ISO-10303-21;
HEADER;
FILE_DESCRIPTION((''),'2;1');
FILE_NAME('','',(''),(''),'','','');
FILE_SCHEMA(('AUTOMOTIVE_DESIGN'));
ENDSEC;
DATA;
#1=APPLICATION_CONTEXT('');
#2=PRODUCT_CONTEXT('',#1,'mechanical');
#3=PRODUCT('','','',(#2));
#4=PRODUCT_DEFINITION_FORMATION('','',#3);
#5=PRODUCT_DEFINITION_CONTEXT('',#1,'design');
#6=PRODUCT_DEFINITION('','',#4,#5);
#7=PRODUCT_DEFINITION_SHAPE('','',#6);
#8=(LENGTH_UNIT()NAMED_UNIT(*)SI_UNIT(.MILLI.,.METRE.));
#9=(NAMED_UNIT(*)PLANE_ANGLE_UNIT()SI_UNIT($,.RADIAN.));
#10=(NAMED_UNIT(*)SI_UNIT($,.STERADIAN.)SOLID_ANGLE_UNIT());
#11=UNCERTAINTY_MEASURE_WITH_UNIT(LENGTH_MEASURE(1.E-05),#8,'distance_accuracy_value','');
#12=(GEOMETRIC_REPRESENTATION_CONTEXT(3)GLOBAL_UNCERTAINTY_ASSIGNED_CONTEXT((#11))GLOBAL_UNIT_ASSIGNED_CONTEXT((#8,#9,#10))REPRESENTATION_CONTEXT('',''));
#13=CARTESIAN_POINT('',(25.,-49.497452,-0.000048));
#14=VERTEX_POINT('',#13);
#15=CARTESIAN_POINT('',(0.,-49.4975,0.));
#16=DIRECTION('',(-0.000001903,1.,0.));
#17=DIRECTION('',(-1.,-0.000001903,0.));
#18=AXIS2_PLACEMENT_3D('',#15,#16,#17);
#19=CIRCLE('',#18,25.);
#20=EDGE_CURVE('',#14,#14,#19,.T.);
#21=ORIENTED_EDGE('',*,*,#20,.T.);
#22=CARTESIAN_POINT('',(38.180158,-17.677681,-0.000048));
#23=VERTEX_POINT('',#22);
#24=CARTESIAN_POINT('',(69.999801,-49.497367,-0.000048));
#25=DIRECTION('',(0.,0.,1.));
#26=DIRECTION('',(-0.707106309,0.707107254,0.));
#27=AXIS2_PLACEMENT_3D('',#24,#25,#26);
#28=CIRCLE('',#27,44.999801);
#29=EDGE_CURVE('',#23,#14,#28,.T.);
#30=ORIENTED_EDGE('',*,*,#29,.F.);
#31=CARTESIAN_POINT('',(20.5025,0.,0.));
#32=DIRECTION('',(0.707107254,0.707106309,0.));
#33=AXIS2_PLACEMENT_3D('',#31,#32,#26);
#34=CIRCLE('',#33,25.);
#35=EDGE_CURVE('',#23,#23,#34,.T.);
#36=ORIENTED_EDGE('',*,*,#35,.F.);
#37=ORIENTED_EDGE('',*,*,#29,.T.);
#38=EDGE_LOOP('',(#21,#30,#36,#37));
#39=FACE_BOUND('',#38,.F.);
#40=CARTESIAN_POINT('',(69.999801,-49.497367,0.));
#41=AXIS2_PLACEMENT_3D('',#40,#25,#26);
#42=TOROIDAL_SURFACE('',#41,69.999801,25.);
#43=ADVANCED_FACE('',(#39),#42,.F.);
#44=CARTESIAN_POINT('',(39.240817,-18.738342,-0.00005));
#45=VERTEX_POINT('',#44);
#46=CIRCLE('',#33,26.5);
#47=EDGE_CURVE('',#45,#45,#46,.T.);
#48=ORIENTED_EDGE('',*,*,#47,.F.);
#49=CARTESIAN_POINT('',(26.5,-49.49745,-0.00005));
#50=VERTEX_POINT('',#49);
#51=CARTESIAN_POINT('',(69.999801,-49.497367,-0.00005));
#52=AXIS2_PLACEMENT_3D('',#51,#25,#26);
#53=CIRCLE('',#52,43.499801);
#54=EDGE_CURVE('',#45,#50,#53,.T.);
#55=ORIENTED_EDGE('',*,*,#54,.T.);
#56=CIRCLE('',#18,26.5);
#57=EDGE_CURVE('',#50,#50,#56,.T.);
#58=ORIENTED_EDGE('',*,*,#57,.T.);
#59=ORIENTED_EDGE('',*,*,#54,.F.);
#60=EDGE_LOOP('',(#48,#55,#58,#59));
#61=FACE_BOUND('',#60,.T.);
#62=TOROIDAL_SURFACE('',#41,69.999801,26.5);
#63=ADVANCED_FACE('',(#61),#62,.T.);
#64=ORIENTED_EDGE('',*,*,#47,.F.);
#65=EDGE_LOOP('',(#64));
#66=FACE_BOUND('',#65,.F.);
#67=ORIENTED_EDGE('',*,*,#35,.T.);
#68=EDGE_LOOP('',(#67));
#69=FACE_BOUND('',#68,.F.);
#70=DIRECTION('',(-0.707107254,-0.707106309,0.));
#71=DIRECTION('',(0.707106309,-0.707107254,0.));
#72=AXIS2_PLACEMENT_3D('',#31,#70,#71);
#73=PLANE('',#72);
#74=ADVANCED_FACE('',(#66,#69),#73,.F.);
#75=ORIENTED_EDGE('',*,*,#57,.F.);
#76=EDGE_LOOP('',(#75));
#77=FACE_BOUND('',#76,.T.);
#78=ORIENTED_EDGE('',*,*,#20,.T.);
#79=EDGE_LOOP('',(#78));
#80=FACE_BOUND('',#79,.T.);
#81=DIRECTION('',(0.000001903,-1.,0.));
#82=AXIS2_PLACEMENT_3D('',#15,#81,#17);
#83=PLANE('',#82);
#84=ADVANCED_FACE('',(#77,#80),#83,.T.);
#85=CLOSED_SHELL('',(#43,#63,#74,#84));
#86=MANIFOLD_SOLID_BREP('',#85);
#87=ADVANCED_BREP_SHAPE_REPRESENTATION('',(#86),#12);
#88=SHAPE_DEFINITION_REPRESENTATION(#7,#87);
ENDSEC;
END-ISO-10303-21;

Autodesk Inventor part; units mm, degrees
ref_plane "YZ Plane" through (0, 0, 0) normal (1, 0, 0) x (0, 1, 0)
ref_plane "XZ Plane" through (0, 0, 0) normal (0, 1, 0) x (-1, 0, 0)
sketch "Szkic6" plane through (0, 0, 0) normal (0, 0, 1) x (1, 0, 0)
  line L0 (-29.6067, 0) -> (35.2678, 0) construction
  line L1 (0, 42.3419) -> (0, -58.3726) construction
  arc A0 (20.5025, 0) -> (0, -49.4975) centre (70, -49.4975) ccw
  line L2 (0, -49.4975) -> (70, -49.4975) construction
  line L3 (70, -49.4975) -> (23.6611, -3.1586) construction
  line L4 (20.5025, 0) -> (20.5025, 0)
  line L5 (0, -49.4975) -> (0, -49.4975)
  point P0 (0, 0)
  dimension "d24" = 70
  dimension "d31" = 45
  dimension "d36" = 0
  dimension "d37" = 0
ref_plane "Płaszczyzna konstrukcyjna2" through (0, -49.4975, 0) normal (0, -1, 0) x (1, 0, 0)
sketch "Szkic8" plane through (0, -49.4975, 0) normal (0, -1, 0) x (1, 0, 0)
  circle A0 centre (0, 0) radius 26.5
  circle A1 centre (0, 0) radius 25
  dimension "d32" = 53
  dimension "d33" = 1.5
sweep "Przeciągnięcie2" add profiles "Szkic8" path "Szkic6"
equation "\"d32\" = OD"
equation "\"d33\" = THK"
equation "\"d24\" = R"
equation "\"d31\" = KAT"
equation "\"SzerokośćGięciaPodcięcia\" = Grubość"
equation "\"RozmiarPodcięciaNarożnika\" = 4 * Grubość"
equation "\"PromieńPrzejścia\" = PromieńGięcia"
equation "\"Rozmiar_promienia_Jacobiego\" = PromieńGięcia"
equation "\"Wielk_odstępu\" = Grubość"
equation "\"d2\" = PromieńGięcia"
equation "\"d23\" = PromieńGięcia"
equation "\"R\" = 70"
equation "\"OD\" = 53"
equation "\"THK\" = 1.5"
equation "\"KAT\" = 45deg"
equation "\"PROSTKA\" = 0"
equation "\"Grubość\" = 1.5"
equation "\"PromieńGięcia\" = 3"
properties part number "Kolano 45° ø53x1,5 R70" material "304L"
